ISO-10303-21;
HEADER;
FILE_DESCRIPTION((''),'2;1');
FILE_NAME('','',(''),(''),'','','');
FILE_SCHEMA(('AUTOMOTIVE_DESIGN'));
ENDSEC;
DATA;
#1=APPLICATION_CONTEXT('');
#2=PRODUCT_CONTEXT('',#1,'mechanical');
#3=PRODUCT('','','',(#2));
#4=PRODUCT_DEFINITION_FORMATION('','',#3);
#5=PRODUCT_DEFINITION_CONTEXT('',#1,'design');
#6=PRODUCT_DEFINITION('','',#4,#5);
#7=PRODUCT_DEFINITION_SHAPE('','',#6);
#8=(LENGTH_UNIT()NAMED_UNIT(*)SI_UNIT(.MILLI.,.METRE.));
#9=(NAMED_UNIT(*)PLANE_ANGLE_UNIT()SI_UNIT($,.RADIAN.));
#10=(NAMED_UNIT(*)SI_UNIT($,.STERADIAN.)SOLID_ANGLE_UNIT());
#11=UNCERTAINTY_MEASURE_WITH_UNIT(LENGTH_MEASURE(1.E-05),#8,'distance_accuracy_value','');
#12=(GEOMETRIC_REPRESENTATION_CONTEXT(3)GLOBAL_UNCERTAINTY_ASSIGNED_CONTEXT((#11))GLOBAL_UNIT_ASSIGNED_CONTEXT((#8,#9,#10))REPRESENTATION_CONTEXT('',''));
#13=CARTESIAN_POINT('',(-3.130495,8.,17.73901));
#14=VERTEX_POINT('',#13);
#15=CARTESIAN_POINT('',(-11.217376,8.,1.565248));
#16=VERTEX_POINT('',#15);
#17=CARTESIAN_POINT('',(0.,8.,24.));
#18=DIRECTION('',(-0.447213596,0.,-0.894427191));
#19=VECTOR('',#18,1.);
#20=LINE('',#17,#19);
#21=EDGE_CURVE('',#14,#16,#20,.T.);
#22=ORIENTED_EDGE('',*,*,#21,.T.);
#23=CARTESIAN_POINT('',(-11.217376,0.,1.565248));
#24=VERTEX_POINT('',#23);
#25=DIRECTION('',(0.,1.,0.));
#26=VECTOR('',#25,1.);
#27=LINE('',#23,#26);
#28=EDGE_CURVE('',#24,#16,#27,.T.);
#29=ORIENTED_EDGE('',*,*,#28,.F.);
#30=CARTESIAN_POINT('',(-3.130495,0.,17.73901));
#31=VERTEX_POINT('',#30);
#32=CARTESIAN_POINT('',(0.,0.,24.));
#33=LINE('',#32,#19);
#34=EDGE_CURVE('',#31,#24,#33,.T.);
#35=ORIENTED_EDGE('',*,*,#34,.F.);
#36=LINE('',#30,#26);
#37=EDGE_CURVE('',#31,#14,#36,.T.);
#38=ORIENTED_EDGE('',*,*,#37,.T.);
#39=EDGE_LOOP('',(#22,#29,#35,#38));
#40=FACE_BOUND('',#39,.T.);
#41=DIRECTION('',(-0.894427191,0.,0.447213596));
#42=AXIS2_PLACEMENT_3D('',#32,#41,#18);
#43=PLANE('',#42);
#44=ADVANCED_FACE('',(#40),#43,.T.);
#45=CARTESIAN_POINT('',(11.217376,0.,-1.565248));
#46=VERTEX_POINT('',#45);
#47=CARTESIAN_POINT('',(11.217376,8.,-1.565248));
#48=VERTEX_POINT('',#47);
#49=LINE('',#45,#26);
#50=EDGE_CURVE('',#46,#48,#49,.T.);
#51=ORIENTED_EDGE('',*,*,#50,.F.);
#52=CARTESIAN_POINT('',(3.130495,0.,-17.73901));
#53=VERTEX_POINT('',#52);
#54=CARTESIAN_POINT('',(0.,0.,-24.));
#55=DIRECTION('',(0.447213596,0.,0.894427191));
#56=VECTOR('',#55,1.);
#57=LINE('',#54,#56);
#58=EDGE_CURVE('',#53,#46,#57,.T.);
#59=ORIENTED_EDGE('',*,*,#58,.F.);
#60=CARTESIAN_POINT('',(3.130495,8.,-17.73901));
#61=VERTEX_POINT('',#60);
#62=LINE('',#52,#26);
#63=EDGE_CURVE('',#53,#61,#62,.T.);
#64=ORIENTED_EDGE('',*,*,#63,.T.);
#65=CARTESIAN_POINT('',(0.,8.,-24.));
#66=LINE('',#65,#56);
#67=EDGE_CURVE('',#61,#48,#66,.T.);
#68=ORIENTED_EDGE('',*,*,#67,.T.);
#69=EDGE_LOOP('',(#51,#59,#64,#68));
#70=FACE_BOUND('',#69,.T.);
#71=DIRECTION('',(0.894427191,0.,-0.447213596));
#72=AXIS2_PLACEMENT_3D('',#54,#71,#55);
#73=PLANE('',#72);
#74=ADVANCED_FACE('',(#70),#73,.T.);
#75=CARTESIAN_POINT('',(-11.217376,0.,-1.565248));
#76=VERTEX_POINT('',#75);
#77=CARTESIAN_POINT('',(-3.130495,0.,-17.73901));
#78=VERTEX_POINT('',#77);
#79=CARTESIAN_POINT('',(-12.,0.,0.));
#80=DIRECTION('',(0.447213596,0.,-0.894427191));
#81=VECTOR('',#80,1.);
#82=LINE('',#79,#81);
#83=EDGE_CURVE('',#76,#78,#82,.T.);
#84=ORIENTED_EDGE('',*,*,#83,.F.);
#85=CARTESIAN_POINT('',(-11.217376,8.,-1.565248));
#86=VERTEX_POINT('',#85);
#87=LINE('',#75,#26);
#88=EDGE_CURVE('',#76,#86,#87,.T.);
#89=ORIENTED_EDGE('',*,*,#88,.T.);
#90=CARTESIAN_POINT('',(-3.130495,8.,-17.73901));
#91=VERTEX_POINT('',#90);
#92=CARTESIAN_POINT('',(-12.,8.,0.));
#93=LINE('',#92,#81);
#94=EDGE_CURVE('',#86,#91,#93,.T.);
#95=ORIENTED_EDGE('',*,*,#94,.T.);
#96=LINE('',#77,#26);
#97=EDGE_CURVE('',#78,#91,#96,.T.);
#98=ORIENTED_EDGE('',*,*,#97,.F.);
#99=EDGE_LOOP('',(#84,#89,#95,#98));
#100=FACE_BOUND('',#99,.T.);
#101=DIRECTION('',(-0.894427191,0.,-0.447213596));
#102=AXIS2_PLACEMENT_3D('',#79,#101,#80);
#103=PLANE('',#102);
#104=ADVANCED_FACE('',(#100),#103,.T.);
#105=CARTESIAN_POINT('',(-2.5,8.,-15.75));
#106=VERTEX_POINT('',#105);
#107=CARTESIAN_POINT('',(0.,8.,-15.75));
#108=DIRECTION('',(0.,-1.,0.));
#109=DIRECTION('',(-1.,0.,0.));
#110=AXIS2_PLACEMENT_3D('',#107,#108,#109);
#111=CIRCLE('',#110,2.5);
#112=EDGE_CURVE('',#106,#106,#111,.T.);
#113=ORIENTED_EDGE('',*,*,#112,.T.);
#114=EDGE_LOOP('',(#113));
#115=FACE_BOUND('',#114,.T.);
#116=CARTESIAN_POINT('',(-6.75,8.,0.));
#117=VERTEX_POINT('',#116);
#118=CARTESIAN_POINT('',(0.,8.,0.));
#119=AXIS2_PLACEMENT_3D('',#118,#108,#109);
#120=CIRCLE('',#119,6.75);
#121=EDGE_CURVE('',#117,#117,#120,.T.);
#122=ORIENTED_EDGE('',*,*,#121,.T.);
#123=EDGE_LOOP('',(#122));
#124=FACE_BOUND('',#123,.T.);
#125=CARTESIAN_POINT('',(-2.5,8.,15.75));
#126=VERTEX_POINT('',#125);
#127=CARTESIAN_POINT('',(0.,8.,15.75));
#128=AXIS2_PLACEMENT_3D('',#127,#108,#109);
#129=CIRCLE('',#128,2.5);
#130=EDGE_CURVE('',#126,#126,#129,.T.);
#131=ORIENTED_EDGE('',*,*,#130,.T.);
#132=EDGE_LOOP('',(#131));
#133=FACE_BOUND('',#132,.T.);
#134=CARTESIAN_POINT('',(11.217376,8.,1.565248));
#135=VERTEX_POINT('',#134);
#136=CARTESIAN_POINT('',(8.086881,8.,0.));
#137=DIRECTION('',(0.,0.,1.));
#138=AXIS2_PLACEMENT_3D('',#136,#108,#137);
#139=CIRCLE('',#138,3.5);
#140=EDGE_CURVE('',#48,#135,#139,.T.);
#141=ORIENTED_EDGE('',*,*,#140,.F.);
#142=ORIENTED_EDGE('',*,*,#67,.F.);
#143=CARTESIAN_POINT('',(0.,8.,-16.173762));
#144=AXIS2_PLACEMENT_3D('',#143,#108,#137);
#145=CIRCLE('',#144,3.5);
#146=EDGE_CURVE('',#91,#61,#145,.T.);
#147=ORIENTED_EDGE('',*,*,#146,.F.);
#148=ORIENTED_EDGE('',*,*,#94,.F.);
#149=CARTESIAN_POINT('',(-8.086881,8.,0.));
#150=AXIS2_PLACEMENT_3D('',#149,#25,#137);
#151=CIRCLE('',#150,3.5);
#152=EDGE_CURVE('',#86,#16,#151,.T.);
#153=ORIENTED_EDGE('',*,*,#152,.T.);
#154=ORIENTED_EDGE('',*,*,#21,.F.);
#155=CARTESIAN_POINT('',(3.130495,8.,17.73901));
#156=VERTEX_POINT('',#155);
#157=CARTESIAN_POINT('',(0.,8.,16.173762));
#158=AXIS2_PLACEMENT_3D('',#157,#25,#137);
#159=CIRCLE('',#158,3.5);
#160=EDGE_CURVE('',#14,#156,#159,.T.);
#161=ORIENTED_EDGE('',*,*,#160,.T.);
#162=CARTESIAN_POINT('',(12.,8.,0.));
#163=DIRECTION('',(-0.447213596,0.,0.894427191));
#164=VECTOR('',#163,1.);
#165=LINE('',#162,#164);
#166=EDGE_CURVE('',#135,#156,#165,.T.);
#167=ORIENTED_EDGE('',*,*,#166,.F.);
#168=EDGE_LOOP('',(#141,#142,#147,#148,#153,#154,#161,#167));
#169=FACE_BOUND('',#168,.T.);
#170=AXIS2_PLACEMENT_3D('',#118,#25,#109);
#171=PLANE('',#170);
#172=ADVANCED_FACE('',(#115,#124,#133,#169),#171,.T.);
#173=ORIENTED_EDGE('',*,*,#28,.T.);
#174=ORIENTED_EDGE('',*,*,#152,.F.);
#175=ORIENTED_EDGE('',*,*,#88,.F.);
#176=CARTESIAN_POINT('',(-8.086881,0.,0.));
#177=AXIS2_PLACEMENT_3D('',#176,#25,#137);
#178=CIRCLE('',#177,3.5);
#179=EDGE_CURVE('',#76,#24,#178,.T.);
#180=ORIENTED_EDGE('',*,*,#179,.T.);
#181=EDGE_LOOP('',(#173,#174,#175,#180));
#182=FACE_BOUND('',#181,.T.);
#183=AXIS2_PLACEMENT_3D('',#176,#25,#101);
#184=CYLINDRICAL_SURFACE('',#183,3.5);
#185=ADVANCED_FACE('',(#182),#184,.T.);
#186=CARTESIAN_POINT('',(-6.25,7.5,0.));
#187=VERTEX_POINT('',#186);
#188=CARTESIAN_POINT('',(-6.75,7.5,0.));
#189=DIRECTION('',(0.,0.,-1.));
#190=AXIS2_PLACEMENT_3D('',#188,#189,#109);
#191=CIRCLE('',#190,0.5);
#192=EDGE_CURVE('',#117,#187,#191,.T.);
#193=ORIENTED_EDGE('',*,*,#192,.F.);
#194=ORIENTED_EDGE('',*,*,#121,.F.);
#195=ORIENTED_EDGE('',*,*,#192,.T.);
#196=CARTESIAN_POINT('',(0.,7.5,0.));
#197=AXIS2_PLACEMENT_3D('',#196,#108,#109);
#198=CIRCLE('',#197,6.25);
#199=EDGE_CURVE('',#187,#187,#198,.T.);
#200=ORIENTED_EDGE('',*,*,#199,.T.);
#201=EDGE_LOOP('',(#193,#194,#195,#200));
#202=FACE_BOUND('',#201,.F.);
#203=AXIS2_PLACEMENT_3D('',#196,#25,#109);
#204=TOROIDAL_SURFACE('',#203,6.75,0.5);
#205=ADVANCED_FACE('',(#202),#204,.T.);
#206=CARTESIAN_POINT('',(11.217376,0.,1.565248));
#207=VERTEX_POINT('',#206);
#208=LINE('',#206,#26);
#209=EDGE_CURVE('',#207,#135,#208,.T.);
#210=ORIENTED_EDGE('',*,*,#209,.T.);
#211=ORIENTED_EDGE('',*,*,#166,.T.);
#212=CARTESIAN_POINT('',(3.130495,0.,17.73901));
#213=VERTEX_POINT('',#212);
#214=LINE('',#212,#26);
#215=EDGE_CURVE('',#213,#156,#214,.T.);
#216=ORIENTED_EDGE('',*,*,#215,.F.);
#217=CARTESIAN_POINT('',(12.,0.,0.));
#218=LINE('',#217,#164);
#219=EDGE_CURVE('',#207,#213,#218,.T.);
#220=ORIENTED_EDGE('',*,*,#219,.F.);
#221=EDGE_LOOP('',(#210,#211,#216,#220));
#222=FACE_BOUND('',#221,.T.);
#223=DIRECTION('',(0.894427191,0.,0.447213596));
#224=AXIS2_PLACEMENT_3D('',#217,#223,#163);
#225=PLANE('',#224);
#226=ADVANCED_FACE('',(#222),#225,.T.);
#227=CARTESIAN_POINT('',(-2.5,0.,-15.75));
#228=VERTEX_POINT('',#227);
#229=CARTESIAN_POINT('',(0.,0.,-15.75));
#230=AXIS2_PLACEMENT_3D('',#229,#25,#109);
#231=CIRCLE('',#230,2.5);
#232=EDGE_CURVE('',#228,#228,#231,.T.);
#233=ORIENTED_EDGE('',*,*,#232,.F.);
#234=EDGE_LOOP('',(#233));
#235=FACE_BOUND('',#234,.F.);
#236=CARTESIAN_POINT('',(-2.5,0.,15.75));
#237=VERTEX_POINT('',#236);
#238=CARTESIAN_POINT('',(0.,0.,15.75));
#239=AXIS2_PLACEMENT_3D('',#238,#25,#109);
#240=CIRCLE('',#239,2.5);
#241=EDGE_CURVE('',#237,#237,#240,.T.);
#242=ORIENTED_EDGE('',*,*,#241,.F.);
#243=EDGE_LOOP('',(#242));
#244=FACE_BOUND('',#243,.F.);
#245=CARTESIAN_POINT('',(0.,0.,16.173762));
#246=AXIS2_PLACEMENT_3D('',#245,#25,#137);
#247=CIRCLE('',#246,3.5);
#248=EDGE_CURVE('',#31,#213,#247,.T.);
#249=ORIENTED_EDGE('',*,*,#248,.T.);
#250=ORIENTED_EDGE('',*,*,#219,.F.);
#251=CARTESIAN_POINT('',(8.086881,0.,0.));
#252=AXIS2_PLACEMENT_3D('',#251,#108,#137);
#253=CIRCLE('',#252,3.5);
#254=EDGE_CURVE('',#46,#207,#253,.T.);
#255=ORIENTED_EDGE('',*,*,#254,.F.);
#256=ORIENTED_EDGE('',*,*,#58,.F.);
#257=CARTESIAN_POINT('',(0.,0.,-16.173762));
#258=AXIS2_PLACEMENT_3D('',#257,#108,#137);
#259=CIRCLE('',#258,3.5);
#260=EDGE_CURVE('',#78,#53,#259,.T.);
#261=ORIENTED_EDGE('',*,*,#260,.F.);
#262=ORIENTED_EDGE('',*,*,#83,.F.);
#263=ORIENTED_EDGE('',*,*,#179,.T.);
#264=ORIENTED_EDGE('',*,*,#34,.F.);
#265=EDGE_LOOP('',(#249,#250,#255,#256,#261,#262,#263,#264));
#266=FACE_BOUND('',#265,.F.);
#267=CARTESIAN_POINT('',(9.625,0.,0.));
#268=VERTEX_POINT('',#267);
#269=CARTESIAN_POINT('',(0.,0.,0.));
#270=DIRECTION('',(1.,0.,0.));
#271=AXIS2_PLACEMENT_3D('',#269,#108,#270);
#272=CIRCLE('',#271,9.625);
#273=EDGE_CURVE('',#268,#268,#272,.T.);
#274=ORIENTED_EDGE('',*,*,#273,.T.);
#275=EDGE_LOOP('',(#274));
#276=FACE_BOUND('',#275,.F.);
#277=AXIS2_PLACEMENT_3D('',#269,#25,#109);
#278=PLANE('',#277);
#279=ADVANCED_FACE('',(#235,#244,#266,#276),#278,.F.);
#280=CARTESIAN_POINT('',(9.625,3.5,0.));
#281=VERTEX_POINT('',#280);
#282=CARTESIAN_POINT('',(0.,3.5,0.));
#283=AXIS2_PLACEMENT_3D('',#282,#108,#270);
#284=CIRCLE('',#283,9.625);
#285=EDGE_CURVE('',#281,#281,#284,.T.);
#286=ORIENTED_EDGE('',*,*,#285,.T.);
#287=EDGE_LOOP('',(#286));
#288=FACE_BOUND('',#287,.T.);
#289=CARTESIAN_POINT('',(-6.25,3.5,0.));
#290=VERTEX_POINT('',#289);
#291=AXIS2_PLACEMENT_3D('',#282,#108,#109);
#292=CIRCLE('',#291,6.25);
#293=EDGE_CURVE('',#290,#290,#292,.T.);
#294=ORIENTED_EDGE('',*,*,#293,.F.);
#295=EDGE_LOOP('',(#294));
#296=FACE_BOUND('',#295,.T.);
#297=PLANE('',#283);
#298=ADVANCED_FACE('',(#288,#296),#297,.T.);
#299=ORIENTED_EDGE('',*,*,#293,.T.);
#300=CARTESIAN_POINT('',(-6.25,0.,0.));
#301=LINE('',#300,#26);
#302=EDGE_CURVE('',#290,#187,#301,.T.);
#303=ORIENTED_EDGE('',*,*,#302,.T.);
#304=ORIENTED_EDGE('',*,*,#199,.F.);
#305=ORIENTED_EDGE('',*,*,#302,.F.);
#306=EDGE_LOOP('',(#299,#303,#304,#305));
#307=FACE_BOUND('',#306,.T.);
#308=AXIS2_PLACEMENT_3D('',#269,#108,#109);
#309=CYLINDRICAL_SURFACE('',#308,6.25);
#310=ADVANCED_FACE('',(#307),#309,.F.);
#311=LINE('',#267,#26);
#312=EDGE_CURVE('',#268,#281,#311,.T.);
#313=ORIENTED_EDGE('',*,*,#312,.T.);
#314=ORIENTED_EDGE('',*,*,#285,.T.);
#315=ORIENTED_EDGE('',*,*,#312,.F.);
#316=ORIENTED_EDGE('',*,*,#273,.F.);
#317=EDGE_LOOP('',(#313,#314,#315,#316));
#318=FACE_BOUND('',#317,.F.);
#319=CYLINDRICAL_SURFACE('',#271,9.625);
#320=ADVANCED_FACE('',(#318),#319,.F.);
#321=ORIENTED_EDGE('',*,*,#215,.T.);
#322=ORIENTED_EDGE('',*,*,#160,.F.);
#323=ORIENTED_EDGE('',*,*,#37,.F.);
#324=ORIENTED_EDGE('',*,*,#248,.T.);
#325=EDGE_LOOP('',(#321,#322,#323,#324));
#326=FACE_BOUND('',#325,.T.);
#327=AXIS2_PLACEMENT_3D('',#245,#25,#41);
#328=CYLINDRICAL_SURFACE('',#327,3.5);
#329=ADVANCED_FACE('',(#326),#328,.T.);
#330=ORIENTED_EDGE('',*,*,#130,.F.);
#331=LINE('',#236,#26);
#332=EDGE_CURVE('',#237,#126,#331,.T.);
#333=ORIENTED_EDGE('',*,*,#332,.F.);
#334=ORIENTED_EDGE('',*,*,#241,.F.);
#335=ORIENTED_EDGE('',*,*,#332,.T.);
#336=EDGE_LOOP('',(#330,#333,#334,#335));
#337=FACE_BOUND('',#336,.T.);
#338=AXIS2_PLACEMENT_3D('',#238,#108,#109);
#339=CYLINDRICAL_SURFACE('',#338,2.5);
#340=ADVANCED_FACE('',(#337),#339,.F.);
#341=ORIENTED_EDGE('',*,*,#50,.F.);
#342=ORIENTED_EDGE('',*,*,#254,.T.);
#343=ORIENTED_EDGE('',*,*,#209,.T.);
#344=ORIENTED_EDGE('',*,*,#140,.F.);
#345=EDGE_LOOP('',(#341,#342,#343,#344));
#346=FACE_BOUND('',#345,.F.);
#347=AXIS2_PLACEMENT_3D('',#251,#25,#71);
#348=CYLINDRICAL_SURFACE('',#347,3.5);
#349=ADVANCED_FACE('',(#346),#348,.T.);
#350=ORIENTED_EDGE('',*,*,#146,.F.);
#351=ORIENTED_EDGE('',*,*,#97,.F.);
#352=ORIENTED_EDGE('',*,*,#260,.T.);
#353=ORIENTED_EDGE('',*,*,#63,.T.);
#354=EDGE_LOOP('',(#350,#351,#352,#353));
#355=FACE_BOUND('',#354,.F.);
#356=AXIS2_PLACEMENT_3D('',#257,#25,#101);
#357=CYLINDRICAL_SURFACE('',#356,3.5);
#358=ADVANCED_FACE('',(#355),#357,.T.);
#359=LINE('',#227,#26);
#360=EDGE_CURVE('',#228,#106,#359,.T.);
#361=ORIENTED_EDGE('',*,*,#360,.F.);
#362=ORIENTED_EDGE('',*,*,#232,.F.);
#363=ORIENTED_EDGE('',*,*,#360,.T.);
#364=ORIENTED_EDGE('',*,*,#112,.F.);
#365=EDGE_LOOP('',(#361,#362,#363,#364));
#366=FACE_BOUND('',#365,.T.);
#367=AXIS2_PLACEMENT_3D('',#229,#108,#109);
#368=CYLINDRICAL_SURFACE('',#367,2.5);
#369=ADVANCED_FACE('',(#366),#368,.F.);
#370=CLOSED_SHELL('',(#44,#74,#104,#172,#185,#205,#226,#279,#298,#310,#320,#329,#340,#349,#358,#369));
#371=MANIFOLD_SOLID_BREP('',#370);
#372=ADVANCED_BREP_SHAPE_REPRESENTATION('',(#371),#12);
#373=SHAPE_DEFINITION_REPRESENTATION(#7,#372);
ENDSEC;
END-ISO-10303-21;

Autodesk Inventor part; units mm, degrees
ref_plane "YZ Plane" through (0, 0, 0) normal (1, 0, 0) x (0, 1, 0)
ref_plane "XZ Plane" through (0, 0, 0) normal (0, 1, 0) x (-1, 0, 0)
ref_plane "XY Plane" through (0, 0, 0) normal (0, 0, 1) x (1, 0, 0)
sketch "Sketch1" plane through (0, 0, 0) normal (0, 1, 0) x (-1, 0, 0)
  circle A0 centre (0, 0) radius 6.25
  circle A1 centre (0, -15.75) radius 2.5
  circle A2 centre (0, 15.75) radius 2.5
  line L0 (0, 0) -> (0, -24)
  line L1 (0, 0) -> (0, 24)
  line L2 (0, 0) -> (12, 0)
  line L3 (0, 0) -> (-12, 0)
  line L4 (0, 24) -> (12, 0)
  line L5 (12, 0) -> (0, -24)
  line L6 (0, -24) -> (-12, 0)
  line L7 (-12, 0) -> (0, 24)
  dimension "d0" = 12.5
  dimension "d1" = 5
  dimension "d2" = 5
  dimension "d3" = 15.75
  dimension "d4" = 15.75
  dimension "d5" = 24
  dimension "d6" = 24
  dimension "d7" = 12
  dimension "d8" = 12
extrude "Extrusion1" add sketch "Sketch1" along normal blind 8 contours L2 L5 L0 A1 A0 | A0 L1 A2 L4 L2 | A0 L3 L7 L1 A2 | L0 A1 L6 L3 A0
fillet "Fillet1" radius 3.5 4 edges at (0, 4, 24) (0, 4, -24) (12, 4, 0) (-12, 4, 0)
sketch "Sketch2" plane through (0, 0, 0) normal (0, -1, 0) x (1, 0, 0)
  circle A0 centre (0, 0) radius 6.25 projected
  circle A1 centre (0, 0) radius 9.625
  dimension "d12" = 19.25
extrude "Extrusion2" cut sketch "Sketch2" against normal blind 3.5
fillet "Fillet2" radius 0.5 1 edges at (6.25, 8, 0)
properties part number "no-filter-inlet"
